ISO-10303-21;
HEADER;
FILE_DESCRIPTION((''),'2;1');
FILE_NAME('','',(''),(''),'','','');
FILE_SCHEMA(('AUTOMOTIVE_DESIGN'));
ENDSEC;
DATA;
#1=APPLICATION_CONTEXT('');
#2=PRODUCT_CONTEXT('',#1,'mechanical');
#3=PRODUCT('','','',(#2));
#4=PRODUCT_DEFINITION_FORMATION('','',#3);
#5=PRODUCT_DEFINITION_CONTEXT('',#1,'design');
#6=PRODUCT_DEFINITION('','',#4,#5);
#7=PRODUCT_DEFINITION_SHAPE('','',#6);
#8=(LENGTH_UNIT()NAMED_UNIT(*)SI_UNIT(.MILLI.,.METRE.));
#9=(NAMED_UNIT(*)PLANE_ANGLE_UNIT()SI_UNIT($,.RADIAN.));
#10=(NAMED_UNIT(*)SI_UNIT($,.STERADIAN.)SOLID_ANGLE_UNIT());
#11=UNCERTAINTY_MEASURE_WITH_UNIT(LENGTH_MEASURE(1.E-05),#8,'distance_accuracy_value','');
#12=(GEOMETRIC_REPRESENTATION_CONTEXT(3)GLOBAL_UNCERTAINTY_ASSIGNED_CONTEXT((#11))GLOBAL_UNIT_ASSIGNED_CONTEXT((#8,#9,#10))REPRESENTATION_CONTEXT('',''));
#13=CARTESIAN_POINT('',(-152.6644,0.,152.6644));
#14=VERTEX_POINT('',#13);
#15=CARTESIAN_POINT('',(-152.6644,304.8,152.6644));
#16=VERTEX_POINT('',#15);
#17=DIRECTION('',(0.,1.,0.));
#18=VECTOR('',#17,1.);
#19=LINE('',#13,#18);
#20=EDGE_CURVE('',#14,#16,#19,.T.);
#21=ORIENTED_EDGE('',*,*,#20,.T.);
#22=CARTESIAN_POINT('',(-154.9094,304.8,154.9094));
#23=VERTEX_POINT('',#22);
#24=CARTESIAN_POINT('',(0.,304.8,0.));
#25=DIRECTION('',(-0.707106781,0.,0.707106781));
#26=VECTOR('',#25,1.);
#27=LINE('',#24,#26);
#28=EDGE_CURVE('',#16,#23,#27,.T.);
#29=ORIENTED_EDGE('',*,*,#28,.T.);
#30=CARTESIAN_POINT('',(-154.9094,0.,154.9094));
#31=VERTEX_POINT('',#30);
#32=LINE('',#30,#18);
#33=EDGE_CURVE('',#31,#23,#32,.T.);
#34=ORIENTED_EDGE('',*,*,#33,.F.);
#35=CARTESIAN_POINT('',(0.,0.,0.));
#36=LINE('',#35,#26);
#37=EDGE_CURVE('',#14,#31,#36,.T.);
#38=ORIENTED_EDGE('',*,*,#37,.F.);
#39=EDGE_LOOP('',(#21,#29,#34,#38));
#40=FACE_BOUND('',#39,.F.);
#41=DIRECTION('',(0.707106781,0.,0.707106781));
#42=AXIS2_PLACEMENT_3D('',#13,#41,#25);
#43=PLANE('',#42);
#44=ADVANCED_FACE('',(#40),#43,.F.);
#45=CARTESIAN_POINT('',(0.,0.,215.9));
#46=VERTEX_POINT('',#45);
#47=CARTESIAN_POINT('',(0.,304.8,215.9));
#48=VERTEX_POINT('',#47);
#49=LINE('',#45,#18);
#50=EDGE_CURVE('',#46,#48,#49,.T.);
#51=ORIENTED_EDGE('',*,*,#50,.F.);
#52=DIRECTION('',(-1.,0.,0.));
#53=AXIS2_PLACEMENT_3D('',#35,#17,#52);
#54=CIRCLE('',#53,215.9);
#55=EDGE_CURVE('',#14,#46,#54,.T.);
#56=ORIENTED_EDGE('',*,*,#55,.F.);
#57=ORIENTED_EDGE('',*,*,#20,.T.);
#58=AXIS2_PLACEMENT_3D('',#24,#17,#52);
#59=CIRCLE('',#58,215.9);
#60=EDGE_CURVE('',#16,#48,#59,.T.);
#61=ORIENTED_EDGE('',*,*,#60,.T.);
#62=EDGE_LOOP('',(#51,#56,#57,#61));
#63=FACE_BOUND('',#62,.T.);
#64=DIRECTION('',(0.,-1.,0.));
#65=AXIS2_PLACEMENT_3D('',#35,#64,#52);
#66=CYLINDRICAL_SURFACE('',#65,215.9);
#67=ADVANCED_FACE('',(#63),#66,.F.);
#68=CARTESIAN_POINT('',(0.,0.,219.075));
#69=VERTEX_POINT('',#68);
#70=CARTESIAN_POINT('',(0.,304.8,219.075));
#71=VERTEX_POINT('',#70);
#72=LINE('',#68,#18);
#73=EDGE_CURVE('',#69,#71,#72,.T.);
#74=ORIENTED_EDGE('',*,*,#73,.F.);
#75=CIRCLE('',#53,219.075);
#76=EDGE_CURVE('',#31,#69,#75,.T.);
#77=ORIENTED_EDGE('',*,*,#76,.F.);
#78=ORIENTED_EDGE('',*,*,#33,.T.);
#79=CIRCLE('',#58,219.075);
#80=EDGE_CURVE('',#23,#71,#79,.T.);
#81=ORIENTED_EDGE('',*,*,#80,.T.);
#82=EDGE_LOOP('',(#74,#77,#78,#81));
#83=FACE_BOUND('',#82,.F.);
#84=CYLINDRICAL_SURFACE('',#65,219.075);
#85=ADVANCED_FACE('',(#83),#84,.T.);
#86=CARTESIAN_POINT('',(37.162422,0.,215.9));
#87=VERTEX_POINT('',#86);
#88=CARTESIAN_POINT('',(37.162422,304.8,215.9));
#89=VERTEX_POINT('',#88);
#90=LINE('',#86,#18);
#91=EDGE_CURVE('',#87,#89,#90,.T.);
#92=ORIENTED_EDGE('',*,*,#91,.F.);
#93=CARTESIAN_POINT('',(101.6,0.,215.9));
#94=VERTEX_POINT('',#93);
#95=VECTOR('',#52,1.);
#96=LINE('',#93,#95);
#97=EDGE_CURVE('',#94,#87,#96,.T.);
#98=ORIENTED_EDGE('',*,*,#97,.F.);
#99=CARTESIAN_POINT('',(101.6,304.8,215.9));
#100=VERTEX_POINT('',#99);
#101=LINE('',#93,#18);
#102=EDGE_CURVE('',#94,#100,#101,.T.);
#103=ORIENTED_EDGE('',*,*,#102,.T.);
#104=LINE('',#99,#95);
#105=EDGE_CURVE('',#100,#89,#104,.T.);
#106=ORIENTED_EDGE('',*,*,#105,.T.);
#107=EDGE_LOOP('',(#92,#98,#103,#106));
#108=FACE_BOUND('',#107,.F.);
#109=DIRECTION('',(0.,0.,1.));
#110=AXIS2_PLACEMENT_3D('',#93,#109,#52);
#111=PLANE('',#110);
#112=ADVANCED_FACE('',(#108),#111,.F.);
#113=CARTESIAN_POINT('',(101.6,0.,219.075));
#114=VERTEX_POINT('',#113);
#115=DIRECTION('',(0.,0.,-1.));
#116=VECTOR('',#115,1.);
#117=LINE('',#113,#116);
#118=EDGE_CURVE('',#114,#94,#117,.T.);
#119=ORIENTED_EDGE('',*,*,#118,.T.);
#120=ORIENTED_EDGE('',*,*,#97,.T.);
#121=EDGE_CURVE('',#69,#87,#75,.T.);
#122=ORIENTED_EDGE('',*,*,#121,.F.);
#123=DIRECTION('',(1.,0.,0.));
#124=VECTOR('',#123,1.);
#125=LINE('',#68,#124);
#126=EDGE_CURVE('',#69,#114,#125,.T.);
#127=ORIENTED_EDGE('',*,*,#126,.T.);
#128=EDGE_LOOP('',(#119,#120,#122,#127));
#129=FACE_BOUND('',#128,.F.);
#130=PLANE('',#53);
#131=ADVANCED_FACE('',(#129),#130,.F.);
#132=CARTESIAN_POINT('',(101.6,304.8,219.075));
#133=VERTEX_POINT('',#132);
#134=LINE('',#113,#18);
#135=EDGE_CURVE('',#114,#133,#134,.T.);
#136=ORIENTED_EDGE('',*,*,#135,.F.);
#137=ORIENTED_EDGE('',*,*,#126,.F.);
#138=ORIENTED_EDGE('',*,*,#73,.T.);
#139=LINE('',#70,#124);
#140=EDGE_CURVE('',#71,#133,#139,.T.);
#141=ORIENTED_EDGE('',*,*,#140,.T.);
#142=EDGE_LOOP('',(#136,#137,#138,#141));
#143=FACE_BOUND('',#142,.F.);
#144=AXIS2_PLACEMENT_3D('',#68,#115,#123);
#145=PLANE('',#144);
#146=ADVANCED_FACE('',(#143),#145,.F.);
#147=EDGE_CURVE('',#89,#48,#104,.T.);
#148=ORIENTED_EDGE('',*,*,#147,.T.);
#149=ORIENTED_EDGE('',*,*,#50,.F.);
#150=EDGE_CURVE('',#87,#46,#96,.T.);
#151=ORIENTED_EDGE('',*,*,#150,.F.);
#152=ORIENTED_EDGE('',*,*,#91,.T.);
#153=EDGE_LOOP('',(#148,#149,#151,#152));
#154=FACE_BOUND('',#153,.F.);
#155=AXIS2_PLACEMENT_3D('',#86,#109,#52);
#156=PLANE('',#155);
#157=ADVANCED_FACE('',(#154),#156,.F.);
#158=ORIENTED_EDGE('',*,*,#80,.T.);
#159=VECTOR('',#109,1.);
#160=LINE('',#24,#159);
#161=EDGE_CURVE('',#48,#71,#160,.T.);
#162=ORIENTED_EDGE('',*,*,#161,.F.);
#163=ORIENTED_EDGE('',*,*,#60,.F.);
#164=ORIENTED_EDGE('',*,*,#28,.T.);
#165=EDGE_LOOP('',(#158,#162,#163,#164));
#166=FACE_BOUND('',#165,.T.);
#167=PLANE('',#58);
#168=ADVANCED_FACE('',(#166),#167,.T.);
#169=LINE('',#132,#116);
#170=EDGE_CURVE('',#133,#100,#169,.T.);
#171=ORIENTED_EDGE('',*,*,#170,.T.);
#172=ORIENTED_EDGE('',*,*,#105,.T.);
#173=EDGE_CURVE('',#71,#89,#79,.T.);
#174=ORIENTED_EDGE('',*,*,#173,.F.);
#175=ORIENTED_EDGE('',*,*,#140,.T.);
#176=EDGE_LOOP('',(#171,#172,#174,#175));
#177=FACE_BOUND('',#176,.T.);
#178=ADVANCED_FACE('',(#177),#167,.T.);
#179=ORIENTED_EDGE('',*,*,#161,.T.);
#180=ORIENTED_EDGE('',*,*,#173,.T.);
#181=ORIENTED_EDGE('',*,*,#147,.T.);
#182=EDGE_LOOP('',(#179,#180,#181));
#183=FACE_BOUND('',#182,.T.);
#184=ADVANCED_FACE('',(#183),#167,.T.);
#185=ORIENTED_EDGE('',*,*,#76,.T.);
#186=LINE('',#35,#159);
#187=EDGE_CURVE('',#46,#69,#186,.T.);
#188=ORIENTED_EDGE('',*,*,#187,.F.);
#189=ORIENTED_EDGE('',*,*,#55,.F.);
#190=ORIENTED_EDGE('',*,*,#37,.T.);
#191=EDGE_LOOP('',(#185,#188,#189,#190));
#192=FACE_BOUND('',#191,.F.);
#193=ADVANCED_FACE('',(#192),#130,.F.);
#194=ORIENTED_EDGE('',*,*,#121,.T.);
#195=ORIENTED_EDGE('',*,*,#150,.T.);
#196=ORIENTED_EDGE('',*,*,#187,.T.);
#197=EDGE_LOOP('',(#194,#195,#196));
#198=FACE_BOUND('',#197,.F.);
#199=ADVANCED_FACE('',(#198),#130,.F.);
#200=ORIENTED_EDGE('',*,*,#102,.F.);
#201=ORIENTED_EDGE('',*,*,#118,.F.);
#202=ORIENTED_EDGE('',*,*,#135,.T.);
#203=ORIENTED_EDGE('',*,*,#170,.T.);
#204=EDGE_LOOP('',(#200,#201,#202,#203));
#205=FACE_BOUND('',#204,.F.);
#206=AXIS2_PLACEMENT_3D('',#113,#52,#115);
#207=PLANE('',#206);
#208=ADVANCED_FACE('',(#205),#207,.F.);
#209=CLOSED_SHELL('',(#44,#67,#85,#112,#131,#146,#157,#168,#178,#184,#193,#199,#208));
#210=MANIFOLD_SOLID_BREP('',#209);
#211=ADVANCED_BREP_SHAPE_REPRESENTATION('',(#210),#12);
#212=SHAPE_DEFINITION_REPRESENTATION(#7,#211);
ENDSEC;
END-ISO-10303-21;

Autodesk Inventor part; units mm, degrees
ref_plane "YZ Plane" through (0, 0, 0) normal (1, 0, 0) x (0, 1, 0)
ref_plane "XZ Plane" through (0, 0, 0) normal (0, 1, 0) x (-1, 0, 0)
ref_plane "XY Plane" through (0, 0, 0) normal (0, 0, 1) x (1, 0, 0)
sketch "Sketch1" plane through (0, 0, 0) normal (0, 1, 0) x (-1, 0, 0)
  circle A0 centre (0, 0) radius 215.9
  circle A1 centre (0, 0) radius 219.075
  line L0 (0, 219.075) -> (-101.6, 219.075)
  line L1 (-101.6, 219.075) -> (-101.6, 215.9)
  line L2 (-101.6, 215.9) -> (0, 215.9)
  line L3 (0, 0) -> (0, 219.075)
  line L4 (0, 0) -> (154.9094, 154.9094)
  line L5 (-101.6, 215.9) -> (0, 215.9)
  line L6 (0, 215.9) -> (0, 219.075)
  line L7 (0, 219.075) -> (-101.6, 219.075)
  line L8 (-101.6, 219.075) -> (-101.6, 215.9)
  arc A2 (152.6644, 152.6644) -> (0, 215.9) centre (0, 0) ccw
  arc A3 (154.9094, 154.9094) -> (0, 219.075) centre (0, 0) ccw
  dimension "d0" = 431.8
  dimension "d1" = 3.175
  dimension "d2" = 101.6
  dimension "d3" = 3.175
  dimension "d4" = 45
extrude "Extrusion1" add sketch "Sketch1" along normal blind 304.8 contours A0 L3 A1 L4 | L2 A1 L3 | L2 L1 L0 A1
properties part number "Hood.ver1-1111-2020"
